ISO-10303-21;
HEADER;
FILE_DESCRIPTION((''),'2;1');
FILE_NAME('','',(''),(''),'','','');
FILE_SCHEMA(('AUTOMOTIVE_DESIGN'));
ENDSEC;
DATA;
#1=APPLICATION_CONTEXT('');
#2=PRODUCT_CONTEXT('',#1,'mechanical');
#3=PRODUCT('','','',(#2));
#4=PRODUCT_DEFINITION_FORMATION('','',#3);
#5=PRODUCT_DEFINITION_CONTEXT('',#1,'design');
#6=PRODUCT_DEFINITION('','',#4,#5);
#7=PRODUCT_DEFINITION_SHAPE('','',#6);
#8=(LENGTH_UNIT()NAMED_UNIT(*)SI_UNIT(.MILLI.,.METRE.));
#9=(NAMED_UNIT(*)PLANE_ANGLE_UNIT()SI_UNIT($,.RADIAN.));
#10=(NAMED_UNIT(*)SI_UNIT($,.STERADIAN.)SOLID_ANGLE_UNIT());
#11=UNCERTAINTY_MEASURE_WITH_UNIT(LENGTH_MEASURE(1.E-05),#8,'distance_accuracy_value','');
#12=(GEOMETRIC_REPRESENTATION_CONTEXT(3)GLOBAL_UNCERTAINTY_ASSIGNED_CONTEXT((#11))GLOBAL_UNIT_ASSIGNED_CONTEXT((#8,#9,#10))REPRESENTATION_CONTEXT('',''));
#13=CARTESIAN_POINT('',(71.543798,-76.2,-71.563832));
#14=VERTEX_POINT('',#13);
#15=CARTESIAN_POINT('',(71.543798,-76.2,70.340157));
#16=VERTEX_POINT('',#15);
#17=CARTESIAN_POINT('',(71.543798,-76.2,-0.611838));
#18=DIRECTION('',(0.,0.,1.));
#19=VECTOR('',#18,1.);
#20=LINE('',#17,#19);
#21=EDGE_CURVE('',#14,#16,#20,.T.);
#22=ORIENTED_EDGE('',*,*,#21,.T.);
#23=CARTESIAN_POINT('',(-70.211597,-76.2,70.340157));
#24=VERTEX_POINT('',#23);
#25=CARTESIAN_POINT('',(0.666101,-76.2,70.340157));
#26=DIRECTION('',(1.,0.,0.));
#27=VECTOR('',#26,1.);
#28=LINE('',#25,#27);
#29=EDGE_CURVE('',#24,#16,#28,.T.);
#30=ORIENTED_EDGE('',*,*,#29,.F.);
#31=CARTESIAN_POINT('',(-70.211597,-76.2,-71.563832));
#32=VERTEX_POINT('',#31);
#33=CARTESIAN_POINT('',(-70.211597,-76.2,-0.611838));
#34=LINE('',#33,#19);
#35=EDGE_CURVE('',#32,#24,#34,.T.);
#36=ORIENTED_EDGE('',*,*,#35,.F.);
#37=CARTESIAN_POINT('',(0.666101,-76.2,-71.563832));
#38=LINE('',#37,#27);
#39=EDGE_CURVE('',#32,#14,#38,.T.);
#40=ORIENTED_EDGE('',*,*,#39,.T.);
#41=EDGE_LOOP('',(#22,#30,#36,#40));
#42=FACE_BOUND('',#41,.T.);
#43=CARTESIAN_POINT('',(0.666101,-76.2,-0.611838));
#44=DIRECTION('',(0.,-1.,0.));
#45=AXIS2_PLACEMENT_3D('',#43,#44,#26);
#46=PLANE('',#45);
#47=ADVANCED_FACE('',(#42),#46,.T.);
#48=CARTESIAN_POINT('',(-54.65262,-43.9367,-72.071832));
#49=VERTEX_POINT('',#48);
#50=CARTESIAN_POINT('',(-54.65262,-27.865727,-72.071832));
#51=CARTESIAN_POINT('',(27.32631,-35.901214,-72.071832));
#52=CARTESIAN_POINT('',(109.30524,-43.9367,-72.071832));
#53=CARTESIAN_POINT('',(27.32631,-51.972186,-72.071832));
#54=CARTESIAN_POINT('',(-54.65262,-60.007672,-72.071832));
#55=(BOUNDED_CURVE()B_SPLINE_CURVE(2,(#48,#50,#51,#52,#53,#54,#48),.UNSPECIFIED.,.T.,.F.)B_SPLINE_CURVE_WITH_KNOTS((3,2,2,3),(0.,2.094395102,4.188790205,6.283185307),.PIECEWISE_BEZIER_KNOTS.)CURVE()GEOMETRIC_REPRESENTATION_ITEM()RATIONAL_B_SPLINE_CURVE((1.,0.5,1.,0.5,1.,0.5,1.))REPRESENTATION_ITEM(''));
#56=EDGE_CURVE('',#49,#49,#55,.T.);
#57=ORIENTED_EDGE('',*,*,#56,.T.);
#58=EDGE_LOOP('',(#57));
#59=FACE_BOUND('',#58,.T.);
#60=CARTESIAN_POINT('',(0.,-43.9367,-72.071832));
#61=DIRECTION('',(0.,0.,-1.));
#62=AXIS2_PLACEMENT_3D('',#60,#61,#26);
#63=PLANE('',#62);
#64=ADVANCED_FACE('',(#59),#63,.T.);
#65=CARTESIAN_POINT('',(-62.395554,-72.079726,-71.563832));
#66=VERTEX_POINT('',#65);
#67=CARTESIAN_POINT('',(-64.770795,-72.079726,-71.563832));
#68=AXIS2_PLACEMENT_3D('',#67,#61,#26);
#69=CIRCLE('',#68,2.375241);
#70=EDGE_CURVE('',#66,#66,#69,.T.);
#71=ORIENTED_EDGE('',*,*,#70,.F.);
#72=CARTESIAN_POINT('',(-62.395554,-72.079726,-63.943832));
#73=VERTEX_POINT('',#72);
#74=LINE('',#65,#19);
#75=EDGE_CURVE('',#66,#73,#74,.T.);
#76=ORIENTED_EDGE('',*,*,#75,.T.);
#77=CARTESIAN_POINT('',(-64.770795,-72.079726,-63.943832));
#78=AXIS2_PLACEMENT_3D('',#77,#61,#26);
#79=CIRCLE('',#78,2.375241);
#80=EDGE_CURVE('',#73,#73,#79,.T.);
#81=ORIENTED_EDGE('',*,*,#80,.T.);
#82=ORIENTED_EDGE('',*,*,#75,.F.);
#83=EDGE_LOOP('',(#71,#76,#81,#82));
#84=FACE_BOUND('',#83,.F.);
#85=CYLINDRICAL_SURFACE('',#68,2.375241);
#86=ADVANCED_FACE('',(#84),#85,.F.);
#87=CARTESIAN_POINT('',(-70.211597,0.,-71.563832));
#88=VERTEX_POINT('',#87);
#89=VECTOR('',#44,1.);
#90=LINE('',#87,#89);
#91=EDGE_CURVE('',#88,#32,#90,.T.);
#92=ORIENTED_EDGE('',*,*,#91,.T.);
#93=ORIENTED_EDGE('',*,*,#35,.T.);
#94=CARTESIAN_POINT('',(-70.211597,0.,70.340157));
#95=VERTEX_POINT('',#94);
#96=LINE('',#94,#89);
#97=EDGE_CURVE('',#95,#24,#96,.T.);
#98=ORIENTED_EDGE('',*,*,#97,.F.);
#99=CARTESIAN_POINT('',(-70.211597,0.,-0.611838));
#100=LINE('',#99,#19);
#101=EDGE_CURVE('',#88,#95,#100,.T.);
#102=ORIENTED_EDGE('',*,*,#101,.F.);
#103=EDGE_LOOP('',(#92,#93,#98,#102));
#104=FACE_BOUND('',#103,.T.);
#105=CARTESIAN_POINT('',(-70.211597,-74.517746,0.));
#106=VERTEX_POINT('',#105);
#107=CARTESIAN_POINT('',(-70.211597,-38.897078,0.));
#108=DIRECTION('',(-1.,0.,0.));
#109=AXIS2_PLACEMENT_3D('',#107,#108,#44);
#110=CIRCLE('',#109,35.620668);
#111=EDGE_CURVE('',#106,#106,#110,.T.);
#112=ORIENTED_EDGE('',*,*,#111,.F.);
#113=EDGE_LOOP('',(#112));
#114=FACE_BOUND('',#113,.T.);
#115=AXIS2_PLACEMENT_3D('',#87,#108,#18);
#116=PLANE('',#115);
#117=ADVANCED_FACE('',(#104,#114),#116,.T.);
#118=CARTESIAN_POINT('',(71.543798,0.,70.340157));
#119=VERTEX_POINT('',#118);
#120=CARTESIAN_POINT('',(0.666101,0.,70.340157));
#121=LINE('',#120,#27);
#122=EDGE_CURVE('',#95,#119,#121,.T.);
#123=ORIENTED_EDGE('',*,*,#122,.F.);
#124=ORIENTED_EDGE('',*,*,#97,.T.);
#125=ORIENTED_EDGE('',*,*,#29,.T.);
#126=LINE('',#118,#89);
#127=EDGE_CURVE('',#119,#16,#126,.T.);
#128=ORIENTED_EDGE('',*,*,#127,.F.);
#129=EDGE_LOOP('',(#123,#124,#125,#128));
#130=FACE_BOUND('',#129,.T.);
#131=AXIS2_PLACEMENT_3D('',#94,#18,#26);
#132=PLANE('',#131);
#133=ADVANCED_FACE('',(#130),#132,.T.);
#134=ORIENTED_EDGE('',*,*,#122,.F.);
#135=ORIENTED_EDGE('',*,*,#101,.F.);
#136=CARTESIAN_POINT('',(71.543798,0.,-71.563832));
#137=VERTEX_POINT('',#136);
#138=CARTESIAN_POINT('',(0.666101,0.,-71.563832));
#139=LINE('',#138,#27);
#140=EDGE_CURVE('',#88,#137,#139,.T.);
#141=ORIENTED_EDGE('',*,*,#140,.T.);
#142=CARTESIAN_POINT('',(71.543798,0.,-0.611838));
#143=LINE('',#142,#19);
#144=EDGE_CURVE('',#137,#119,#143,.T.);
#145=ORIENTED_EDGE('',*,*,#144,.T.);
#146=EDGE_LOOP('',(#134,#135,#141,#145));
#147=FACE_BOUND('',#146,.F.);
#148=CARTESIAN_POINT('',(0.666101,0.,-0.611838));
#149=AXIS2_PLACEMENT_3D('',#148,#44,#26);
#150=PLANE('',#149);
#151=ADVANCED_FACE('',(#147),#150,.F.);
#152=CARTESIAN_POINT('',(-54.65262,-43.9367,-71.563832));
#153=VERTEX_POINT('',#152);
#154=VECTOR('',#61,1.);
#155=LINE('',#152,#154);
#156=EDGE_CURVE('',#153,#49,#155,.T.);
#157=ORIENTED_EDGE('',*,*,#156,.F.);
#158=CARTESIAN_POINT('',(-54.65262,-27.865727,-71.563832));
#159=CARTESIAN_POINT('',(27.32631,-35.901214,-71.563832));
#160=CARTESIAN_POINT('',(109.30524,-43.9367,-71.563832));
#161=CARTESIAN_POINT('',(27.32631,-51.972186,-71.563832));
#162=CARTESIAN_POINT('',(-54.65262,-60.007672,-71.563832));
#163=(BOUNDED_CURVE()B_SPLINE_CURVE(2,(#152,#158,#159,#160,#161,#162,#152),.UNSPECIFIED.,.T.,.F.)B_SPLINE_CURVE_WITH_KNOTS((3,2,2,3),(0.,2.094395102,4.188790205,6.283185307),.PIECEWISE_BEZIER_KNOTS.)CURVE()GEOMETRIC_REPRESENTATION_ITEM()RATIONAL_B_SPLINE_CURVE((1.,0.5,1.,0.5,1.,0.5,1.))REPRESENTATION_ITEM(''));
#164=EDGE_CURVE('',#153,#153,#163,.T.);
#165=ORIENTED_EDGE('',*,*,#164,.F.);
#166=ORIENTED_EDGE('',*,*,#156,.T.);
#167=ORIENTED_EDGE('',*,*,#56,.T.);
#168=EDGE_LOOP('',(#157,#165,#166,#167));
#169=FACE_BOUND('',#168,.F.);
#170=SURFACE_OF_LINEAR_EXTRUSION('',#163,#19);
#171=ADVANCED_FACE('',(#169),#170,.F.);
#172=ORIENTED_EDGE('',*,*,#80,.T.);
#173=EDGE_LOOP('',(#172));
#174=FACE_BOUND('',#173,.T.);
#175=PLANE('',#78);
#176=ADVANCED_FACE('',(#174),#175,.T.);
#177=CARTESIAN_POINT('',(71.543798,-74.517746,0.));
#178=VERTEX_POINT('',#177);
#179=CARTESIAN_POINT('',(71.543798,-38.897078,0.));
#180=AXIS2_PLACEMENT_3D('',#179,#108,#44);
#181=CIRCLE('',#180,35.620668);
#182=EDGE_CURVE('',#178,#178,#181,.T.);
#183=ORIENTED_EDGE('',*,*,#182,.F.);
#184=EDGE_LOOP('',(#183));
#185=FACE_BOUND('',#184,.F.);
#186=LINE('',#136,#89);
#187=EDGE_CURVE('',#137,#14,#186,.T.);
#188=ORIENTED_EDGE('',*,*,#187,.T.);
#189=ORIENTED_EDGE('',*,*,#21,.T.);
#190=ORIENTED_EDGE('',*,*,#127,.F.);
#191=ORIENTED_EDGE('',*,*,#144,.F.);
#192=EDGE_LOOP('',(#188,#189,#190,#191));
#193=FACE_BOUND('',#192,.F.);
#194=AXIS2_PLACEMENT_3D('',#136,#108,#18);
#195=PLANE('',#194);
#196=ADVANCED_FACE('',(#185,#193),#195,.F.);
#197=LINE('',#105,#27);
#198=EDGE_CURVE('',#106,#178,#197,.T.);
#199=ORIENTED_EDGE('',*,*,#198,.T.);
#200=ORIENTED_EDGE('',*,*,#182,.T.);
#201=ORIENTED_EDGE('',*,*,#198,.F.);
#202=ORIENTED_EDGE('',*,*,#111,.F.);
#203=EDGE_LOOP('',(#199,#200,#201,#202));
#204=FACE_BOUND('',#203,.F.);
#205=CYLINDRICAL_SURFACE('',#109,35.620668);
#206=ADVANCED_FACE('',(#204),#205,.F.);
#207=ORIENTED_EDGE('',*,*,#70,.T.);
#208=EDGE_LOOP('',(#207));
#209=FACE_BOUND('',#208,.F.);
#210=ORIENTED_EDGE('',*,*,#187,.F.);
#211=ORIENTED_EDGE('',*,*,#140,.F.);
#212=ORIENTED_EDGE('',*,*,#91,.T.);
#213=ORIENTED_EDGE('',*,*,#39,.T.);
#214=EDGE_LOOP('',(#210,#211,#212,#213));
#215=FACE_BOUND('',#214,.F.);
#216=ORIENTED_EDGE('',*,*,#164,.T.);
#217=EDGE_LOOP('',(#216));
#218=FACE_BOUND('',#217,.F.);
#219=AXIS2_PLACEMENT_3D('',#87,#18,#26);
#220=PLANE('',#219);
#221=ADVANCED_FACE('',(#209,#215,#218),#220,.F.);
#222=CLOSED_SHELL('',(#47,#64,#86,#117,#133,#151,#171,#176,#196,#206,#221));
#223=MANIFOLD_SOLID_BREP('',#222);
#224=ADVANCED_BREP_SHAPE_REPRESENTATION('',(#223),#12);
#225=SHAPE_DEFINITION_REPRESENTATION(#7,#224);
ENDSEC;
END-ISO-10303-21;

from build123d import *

# Parameters (mm, degrees)
F0_W     = 141.7553946376
F0_H     = 141.903989017
F1_DEPTH = 76.2
F2_R     = 35.6206675953
F3_DEPTH = 152.4
F5_DEPTH = 0.508
F6_R     = 2.3752413704
F7_DEPTH = 7.62


with BuildPart() as f1:
    # F0 (on Front) → F1 (new body)
    with BuildSketch(Plane.XZ):
        with Locations((0.6661005318, -0.6118379533)):
            Rectangle(F0_W, F0_H)
    extrude(amount=F1_DEPTH)

    # F2 (on face) → F3 (cut)
    with BuildSketch(Plane(origin=(-70.211596787, 0, 0), x_dir=(0, -1, 0), z_dir=(-1, 0, 0))):
        with Locations((38.8970784843, 0)):
            Circle(F2_R)
    extrude(amount=-F3_DEPTH, mode=Mode.SUBTRACT)

    # F4 (on face) → F5 (join)
    with BuildSketch(Plane(origin=(0, 0, -71.5638324618), x_dir=(1, 0, 0), z_dir=(0, 0, -1))):
        with BuildLine():
            add(Edge.make_bspline(
                [(-54.6526201069, 43.9366996288), (-54.6526201069, 27.8657274233), (27.3263100535, 35.901213526), (109.3052402139, 43.9366996288), (27.3263100535, 51.9721857316), (-54.6526201069, 60.0076718344), (-54.6526201069, 43.9366996288)],
                knots=[0, 0, 0, 2.0943951024, 2.0943951024, 4.1887902048, 4.1887902048, 6.2831853072, 6.2831853072, 6.2831853072], degree=2, weights=[1, 0.5, 1, 0.5, 1, 0.5, 1]))
        make_face()
    extrude(amount=F5_DEPTH)

    # F6 (on face) → F7 (cut)
    with BuildSketch(Plane(origin=(0, 0, -71.5638324618), x_dir=(1, 0, 0), z_dir=(0, 0, -1))):
        with Locations((-64.7707954049, 72.0797255635)):
            Circle(F6_R)
    extrude(amount=-F7_DEPTH, mode=Mode.SUBTRACT)


solid = f1.part
